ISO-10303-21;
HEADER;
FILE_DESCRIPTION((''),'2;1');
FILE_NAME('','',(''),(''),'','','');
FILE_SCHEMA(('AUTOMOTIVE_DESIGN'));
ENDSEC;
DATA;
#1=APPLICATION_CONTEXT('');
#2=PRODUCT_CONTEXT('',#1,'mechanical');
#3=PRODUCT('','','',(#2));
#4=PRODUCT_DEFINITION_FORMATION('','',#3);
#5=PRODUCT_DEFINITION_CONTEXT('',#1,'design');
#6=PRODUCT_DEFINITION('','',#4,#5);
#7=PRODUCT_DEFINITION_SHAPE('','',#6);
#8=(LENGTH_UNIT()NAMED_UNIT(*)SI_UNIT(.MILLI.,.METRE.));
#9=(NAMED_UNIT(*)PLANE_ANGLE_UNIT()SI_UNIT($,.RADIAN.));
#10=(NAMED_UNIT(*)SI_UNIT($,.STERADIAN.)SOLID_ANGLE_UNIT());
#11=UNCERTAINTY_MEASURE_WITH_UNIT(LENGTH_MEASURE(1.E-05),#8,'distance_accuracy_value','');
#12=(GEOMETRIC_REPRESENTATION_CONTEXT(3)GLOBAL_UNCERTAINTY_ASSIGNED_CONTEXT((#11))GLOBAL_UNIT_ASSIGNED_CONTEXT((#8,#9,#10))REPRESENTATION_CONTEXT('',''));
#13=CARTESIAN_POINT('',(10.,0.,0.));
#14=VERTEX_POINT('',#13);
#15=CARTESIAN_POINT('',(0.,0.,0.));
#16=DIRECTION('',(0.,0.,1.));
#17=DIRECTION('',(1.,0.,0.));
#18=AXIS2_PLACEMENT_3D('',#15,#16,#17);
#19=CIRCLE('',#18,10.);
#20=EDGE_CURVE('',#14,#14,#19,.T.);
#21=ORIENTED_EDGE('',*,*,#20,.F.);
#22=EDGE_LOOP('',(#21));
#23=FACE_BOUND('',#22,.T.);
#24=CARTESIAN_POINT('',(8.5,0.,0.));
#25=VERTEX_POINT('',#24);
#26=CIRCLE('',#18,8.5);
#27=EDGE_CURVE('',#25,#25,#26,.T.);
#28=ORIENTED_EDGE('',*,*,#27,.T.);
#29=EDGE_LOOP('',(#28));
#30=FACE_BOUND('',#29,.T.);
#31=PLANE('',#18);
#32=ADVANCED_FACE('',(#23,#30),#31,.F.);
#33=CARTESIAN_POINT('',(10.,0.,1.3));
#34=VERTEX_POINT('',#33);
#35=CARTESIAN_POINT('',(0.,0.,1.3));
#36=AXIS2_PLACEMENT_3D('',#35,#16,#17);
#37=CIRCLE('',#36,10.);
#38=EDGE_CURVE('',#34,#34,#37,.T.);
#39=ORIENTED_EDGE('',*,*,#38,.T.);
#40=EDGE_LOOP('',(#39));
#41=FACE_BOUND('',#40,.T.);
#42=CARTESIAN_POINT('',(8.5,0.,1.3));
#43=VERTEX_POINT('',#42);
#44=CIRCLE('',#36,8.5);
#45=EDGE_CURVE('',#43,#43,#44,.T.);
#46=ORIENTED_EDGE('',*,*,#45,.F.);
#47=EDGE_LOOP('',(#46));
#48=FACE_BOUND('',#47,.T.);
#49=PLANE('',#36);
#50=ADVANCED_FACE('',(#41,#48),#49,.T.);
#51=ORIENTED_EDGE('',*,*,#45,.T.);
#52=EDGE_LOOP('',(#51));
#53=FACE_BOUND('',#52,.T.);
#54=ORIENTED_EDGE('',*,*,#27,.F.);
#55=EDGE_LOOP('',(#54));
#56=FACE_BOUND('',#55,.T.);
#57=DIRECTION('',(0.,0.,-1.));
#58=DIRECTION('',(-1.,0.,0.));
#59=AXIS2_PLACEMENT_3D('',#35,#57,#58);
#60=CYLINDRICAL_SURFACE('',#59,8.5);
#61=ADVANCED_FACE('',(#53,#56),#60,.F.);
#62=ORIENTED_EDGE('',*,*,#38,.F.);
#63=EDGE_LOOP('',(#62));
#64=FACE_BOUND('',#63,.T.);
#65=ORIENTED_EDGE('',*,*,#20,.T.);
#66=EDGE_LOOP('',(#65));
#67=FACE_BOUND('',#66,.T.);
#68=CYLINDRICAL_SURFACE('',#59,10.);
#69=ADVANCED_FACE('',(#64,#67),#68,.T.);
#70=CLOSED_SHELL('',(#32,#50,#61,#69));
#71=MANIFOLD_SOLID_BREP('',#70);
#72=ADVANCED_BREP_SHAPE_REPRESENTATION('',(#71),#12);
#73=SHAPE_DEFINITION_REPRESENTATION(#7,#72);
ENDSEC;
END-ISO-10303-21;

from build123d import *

# Parameters (mm, degrees)
SKETCH1_R           = 10
SKETCH1_R_2         = 8.5
BOSS_EXTRUDE1_DEPTH = 1.3


with BuildPart() as part:
    # Sketch1 → Boss-Extrude1 (new body)
    with BuildSketch(Plane.XY):
        Circle(SKETCH1_R)
        Circle(SKETCH1_R_2, mode=Mode.SUBTRACT)
    extrude(amount=BOSS_EXTRUDE1_DEPTH)


solid = part.part
